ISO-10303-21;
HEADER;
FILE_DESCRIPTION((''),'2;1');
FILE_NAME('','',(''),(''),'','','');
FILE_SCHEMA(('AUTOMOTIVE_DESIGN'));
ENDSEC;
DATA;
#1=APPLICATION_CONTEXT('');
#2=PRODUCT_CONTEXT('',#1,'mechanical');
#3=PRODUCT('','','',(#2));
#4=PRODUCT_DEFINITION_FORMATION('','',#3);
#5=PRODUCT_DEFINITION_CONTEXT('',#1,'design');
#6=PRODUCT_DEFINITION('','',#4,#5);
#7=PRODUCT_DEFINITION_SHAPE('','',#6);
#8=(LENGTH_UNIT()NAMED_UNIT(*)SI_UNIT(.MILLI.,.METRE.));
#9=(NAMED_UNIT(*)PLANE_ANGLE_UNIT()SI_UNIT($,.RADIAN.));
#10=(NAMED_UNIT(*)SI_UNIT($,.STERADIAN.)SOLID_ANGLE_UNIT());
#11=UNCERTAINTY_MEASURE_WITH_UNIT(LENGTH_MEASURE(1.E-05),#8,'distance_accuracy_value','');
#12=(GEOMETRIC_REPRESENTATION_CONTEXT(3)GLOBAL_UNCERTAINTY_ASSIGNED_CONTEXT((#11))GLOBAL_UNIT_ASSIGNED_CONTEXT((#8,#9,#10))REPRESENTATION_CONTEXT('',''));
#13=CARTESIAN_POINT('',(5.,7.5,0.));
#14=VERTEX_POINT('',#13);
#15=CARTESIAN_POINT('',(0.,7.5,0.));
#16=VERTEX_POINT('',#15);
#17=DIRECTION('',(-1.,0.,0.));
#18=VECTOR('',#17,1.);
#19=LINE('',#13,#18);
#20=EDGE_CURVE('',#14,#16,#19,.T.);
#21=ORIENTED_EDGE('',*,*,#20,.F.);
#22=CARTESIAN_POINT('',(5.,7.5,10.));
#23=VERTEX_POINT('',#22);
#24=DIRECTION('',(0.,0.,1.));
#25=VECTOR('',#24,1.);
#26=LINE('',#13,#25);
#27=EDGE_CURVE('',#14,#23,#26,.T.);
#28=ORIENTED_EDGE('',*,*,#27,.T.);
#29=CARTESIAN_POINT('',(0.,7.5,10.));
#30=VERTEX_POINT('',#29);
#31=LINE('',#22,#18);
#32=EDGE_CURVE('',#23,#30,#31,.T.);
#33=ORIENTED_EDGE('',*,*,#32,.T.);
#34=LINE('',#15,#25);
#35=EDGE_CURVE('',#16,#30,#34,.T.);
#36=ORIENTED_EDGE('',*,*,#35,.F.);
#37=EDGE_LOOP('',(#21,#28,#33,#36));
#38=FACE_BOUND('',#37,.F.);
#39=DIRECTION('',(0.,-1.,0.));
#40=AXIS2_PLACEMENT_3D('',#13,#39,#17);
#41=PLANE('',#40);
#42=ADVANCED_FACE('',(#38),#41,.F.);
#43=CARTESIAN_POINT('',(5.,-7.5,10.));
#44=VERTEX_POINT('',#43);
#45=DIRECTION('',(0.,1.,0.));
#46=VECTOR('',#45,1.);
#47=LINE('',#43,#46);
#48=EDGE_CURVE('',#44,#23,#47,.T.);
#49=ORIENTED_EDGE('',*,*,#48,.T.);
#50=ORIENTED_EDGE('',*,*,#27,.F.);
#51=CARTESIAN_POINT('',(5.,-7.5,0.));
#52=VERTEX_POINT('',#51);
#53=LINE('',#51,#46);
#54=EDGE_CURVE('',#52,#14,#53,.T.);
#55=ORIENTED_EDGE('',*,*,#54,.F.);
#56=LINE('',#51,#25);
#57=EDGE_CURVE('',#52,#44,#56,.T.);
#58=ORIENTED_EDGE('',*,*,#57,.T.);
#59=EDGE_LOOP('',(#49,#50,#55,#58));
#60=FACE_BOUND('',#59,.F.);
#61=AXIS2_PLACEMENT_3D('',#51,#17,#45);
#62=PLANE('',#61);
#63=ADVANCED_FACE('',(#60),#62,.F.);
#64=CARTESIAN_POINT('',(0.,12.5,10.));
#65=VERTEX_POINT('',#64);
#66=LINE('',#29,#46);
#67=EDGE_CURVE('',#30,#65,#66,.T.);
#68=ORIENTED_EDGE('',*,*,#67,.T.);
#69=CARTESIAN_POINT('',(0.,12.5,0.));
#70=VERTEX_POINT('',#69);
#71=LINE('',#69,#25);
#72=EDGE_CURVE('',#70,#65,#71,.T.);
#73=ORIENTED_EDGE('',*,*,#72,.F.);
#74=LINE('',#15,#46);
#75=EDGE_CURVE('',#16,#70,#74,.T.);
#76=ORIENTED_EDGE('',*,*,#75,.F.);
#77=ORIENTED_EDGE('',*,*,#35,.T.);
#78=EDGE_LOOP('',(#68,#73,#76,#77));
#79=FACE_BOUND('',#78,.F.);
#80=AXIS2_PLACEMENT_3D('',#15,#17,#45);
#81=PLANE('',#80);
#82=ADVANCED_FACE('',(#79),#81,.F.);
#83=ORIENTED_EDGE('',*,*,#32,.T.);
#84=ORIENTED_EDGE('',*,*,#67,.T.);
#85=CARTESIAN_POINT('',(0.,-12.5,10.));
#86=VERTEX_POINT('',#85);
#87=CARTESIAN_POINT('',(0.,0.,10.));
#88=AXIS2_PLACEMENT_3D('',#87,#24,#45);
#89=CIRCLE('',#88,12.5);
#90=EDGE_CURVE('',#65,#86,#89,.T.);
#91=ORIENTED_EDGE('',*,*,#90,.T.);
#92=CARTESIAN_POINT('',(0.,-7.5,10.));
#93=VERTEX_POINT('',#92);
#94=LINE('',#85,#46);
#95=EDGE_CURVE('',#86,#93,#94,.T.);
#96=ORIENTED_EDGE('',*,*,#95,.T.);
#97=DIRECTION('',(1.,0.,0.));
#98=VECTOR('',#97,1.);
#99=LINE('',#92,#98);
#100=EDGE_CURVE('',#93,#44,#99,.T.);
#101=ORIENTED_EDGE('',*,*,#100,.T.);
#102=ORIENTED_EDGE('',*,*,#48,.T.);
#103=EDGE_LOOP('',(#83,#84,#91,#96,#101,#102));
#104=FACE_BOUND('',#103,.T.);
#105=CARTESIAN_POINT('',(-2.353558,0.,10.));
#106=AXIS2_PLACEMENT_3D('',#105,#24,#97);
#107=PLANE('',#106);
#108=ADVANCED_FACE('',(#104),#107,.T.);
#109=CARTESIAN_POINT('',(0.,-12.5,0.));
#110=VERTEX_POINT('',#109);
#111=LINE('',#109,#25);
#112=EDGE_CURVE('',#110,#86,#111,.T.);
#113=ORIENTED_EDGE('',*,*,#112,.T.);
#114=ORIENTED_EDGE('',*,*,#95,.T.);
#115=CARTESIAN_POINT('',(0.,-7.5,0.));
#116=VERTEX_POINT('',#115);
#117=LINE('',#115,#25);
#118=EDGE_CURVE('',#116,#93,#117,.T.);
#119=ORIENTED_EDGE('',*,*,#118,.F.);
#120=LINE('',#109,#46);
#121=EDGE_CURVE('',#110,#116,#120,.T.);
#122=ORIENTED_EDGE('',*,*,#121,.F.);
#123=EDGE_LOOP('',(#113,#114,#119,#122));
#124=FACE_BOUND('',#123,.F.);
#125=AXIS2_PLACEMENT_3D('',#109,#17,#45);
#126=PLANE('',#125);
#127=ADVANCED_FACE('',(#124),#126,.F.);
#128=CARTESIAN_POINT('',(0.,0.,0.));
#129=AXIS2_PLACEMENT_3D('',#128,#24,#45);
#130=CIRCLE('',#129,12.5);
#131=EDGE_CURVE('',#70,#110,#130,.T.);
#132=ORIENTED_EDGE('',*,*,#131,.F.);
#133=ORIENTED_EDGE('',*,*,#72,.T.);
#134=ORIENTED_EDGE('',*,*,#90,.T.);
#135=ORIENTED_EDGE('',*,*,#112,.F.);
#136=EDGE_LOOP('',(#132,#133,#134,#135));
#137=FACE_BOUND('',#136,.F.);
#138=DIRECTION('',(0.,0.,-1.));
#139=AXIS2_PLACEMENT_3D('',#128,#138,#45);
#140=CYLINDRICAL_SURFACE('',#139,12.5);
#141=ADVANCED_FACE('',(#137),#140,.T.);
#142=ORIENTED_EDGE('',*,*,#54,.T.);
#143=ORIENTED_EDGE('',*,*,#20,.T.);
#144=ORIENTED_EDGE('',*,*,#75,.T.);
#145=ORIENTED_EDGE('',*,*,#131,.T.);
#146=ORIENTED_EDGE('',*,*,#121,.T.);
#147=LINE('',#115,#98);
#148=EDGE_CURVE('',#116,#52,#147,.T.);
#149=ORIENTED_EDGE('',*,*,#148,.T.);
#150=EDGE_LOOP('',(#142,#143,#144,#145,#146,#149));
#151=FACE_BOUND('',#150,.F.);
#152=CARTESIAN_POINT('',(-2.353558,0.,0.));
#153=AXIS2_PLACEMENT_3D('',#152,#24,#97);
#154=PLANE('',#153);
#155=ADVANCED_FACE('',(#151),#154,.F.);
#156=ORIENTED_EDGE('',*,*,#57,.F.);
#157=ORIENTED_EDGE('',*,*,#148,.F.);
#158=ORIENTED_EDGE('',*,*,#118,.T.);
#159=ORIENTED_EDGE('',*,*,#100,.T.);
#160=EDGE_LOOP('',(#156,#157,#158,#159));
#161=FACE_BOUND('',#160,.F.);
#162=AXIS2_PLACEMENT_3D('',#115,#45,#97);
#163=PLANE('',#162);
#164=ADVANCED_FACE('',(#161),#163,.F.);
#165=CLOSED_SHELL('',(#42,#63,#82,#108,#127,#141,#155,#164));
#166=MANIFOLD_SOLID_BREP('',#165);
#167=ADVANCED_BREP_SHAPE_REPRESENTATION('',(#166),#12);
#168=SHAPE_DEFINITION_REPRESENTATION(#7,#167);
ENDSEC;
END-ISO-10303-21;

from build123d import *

# Parameters (mm, degrees)
F1_DEPTH = 10


with BuildPart() as f1:
    # F0 (on Top) → F1 (new body)
    with BuildSketch(Plane.XY):
        with BuildLine():
            Line((0, 7.5), (0, 12.5))
            ThreePointArc((0, 12.5), (-12.5, 0), (0, -12.5))
            Line((0, -12.5), (0, -7.5))
            Line((0, -7.5), (5, -7.5))
            Line((5, -7.5), (5, 7.5))
            Line((5, 7.5), (0, 7.5))
        make_face()
    extrude(amount=F1_DEPTH)


solid = f1.part
